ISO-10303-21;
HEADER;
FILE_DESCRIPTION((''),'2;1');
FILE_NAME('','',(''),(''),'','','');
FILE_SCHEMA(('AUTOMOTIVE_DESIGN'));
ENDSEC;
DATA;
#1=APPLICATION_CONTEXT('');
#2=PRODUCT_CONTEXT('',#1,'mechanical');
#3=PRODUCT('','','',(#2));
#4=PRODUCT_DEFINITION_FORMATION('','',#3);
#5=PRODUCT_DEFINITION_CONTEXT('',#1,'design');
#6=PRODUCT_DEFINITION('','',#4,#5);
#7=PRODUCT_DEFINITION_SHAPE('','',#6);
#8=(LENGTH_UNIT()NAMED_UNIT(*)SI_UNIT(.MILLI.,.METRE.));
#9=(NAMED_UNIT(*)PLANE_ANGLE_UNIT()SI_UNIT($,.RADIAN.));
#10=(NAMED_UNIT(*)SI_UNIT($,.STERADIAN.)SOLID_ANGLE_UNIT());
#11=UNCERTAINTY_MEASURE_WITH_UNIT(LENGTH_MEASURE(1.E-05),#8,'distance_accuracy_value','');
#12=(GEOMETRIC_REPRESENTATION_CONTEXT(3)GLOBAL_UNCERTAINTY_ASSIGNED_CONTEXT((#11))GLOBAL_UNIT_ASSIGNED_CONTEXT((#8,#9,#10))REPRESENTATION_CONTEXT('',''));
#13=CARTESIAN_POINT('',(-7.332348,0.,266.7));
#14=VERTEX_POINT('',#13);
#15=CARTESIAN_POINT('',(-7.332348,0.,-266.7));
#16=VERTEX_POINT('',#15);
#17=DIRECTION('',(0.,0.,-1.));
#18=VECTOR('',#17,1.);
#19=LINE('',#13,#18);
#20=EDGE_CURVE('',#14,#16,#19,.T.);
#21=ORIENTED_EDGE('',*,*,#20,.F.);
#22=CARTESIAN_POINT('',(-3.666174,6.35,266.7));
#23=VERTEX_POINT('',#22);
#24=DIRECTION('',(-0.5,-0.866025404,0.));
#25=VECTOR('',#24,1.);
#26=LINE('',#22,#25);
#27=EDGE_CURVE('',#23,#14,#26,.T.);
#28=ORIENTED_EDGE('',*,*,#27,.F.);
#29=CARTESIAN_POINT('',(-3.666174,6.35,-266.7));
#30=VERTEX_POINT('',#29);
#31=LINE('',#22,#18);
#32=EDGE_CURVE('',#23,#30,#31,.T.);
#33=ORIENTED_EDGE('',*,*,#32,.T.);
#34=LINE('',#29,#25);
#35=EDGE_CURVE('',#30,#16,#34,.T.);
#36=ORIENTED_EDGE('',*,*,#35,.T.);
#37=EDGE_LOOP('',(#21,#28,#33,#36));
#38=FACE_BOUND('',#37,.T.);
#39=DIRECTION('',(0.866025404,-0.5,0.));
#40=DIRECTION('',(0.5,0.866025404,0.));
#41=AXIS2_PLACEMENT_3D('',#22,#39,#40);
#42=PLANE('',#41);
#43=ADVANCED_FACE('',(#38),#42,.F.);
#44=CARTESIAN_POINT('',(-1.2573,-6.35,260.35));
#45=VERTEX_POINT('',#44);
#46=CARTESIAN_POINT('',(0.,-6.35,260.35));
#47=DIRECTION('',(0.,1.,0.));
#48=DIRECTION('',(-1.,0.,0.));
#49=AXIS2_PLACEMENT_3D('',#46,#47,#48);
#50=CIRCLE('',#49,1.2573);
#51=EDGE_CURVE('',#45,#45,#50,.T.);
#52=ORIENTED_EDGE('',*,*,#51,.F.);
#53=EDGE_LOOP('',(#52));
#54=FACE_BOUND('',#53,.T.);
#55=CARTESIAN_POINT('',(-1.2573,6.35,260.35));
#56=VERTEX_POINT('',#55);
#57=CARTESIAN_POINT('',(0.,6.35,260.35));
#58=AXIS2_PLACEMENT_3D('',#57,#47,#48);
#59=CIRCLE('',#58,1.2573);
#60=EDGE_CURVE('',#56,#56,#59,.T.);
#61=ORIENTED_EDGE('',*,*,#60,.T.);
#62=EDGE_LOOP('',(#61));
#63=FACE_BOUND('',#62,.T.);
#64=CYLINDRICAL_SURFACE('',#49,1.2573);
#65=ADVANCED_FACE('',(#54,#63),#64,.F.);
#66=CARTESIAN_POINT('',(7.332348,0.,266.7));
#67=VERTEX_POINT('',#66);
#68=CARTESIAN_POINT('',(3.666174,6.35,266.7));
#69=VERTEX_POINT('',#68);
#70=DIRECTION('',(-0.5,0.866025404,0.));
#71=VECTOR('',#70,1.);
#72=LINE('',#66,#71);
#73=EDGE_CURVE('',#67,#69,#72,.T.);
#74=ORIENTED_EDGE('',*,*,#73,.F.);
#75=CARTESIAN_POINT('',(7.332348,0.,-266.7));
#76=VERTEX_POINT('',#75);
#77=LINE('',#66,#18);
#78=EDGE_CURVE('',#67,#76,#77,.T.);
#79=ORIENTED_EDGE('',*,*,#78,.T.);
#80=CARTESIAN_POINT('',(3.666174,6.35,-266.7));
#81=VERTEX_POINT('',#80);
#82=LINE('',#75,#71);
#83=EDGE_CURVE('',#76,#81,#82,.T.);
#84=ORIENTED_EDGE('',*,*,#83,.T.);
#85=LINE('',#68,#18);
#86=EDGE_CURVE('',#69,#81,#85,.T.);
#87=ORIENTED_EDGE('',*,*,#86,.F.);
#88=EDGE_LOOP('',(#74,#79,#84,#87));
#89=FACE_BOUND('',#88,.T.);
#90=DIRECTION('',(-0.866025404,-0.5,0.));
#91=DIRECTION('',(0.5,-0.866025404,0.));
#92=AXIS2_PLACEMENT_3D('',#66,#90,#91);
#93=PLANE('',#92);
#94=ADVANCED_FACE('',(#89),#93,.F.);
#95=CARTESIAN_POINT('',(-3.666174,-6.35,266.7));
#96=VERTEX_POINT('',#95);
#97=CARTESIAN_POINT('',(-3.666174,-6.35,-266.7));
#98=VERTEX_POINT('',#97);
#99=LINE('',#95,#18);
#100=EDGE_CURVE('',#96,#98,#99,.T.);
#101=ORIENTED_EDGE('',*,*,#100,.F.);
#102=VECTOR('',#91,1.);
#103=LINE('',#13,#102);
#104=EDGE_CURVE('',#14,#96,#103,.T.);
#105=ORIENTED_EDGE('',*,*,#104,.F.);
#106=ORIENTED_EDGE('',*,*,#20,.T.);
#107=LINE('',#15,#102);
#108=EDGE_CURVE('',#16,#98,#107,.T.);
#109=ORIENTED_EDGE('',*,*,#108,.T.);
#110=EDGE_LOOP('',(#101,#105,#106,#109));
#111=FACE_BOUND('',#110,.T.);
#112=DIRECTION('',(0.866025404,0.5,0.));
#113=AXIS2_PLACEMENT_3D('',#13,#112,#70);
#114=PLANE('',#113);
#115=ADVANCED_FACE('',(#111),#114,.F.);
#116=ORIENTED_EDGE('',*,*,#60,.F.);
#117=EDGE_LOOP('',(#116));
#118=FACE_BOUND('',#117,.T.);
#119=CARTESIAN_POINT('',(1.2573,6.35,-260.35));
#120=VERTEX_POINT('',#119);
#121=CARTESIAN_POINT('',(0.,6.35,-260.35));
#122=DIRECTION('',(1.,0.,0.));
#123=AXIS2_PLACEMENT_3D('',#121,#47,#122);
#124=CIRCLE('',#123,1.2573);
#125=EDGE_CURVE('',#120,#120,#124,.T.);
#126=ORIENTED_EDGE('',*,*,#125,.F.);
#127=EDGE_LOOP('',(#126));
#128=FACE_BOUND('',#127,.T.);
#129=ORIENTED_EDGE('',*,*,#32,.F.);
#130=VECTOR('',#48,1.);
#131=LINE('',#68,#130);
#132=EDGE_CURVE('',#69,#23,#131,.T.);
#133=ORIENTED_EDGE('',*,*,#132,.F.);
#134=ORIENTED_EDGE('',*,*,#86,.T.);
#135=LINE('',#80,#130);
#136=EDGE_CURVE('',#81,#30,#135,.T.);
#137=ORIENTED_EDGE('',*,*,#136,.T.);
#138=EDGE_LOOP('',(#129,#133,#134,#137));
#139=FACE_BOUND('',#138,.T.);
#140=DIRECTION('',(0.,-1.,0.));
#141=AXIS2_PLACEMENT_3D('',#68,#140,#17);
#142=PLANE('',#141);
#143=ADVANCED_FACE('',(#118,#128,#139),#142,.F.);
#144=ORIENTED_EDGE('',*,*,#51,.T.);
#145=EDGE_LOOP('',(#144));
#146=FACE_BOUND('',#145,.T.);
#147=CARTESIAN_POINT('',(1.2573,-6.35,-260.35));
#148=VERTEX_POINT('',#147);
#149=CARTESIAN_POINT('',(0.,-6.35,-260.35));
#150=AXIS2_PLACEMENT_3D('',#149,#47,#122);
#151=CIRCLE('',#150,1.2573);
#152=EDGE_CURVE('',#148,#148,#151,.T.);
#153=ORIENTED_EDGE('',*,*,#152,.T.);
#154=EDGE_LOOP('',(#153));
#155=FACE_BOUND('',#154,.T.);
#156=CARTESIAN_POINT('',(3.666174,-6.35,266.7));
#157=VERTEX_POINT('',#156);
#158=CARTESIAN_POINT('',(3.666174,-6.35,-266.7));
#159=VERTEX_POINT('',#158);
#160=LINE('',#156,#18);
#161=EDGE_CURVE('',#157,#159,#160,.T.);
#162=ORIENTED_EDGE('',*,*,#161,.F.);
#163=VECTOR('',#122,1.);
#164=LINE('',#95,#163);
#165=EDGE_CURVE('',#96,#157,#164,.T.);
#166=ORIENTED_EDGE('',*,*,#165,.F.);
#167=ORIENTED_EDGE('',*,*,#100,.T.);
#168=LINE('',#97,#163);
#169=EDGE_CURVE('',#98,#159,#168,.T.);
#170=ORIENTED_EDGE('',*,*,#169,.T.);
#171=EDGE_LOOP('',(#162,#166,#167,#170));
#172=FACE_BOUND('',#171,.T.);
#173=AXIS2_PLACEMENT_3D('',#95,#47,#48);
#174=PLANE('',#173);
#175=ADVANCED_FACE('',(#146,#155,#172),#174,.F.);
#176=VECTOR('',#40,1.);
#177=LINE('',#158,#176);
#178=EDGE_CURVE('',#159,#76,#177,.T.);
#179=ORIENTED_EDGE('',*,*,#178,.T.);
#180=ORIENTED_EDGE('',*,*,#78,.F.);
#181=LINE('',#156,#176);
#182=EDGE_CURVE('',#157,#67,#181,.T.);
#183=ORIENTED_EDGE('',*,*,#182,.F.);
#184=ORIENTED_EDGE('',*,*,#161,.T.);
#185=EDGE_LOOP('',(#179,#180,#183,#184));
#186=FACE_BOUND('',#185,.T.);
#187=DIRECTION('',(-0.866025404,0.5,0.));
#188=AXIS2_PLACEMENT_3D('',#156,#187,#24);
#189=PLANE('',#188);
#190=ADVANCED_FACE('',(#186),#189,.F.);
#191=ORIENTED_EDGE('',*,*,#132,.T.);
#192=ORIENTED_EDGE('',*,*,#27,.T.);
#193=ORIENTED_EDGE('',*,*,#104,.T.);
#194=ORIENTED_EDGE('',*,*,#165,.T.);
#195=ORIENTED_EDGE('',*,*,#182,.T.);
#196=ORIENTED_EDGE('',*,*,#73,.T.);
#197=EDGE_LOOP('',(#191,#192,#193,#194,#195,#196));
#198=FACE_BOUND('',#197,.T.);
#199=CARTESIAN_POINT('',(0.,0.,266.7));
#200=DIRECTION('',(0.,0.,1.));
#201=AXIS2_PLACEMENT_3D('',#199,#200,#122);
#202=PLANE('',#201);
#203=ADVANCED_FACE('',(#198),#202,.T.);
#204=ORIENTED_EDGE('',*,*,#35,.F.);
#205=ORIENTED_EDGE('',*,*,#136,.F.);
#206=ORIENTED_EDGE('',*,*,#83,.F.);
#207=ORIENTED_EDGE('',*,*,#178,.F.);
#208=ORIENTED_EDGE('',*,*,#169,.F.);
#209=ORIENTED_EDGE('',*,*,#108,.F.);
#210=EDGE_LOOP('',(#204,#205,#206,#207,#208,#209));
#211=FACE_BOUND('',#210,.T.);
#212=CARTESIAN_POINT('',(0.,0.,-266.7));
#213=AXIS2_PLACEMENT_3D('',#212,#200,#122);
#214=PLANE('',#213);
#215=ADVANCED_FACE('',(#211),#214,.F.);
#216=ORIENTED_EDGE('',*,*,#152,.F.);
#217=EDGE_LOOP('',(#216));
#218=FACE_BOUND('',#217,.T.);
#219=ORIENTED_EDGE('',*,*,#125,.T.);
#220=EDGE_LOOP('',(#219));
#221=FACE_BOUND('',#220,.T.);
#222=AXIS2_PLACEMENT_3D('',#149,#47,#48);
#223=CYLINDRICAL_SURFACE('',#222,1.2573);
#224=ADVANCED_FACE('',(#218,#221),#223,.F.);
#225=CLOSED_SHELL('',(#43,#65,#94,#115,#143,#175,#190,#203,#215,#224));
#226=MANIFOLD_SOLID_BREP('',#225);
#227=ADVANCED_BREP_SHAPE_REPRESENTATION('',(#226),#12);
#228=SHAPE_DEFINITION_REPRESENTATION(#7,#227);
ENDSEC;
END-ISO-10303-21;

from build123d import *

# Parameters (mm, degrees)
BOSS_EXTRUDE1_DEPTH = 266.7
SKETCH2_R           = 1.2573
CUT_EXTRUDE1_DEPTH  = 13.7


with BuildPart() as part:
    # Sketch1 → Boss-Extrude1 (new body, symmetric)
    with BuildSketch(Plane.XY):
        Polygon((3.666174209, -6.35), (7.332348419, 0), (3.666174209, 6.35), (-3.666174209, 6.35), (-7.332348419, 0), (-3.666174209, -6.35), align=None)
    extrude(amount=BOSS_EXTRUDE1_DEPTH, both=True)

    # Sketch2 → Cut-Extrude1 (cut, through all)
    with BuildSketch(Plane(origin=(0, 6.35, 0), x_dir=(1, 0, 0), z_dir=(0, 1, 0))):
        with Locations((0, -260.35)):
            Circle(SKETCH2_R)
        with Locations((0, 260.35)):
            Circle(SKETCH2_R)
    extrude(amount=-CUT_EXTRUDE1_DEPTH, mode=Mode.SUBTRACT)


solid = part.part
